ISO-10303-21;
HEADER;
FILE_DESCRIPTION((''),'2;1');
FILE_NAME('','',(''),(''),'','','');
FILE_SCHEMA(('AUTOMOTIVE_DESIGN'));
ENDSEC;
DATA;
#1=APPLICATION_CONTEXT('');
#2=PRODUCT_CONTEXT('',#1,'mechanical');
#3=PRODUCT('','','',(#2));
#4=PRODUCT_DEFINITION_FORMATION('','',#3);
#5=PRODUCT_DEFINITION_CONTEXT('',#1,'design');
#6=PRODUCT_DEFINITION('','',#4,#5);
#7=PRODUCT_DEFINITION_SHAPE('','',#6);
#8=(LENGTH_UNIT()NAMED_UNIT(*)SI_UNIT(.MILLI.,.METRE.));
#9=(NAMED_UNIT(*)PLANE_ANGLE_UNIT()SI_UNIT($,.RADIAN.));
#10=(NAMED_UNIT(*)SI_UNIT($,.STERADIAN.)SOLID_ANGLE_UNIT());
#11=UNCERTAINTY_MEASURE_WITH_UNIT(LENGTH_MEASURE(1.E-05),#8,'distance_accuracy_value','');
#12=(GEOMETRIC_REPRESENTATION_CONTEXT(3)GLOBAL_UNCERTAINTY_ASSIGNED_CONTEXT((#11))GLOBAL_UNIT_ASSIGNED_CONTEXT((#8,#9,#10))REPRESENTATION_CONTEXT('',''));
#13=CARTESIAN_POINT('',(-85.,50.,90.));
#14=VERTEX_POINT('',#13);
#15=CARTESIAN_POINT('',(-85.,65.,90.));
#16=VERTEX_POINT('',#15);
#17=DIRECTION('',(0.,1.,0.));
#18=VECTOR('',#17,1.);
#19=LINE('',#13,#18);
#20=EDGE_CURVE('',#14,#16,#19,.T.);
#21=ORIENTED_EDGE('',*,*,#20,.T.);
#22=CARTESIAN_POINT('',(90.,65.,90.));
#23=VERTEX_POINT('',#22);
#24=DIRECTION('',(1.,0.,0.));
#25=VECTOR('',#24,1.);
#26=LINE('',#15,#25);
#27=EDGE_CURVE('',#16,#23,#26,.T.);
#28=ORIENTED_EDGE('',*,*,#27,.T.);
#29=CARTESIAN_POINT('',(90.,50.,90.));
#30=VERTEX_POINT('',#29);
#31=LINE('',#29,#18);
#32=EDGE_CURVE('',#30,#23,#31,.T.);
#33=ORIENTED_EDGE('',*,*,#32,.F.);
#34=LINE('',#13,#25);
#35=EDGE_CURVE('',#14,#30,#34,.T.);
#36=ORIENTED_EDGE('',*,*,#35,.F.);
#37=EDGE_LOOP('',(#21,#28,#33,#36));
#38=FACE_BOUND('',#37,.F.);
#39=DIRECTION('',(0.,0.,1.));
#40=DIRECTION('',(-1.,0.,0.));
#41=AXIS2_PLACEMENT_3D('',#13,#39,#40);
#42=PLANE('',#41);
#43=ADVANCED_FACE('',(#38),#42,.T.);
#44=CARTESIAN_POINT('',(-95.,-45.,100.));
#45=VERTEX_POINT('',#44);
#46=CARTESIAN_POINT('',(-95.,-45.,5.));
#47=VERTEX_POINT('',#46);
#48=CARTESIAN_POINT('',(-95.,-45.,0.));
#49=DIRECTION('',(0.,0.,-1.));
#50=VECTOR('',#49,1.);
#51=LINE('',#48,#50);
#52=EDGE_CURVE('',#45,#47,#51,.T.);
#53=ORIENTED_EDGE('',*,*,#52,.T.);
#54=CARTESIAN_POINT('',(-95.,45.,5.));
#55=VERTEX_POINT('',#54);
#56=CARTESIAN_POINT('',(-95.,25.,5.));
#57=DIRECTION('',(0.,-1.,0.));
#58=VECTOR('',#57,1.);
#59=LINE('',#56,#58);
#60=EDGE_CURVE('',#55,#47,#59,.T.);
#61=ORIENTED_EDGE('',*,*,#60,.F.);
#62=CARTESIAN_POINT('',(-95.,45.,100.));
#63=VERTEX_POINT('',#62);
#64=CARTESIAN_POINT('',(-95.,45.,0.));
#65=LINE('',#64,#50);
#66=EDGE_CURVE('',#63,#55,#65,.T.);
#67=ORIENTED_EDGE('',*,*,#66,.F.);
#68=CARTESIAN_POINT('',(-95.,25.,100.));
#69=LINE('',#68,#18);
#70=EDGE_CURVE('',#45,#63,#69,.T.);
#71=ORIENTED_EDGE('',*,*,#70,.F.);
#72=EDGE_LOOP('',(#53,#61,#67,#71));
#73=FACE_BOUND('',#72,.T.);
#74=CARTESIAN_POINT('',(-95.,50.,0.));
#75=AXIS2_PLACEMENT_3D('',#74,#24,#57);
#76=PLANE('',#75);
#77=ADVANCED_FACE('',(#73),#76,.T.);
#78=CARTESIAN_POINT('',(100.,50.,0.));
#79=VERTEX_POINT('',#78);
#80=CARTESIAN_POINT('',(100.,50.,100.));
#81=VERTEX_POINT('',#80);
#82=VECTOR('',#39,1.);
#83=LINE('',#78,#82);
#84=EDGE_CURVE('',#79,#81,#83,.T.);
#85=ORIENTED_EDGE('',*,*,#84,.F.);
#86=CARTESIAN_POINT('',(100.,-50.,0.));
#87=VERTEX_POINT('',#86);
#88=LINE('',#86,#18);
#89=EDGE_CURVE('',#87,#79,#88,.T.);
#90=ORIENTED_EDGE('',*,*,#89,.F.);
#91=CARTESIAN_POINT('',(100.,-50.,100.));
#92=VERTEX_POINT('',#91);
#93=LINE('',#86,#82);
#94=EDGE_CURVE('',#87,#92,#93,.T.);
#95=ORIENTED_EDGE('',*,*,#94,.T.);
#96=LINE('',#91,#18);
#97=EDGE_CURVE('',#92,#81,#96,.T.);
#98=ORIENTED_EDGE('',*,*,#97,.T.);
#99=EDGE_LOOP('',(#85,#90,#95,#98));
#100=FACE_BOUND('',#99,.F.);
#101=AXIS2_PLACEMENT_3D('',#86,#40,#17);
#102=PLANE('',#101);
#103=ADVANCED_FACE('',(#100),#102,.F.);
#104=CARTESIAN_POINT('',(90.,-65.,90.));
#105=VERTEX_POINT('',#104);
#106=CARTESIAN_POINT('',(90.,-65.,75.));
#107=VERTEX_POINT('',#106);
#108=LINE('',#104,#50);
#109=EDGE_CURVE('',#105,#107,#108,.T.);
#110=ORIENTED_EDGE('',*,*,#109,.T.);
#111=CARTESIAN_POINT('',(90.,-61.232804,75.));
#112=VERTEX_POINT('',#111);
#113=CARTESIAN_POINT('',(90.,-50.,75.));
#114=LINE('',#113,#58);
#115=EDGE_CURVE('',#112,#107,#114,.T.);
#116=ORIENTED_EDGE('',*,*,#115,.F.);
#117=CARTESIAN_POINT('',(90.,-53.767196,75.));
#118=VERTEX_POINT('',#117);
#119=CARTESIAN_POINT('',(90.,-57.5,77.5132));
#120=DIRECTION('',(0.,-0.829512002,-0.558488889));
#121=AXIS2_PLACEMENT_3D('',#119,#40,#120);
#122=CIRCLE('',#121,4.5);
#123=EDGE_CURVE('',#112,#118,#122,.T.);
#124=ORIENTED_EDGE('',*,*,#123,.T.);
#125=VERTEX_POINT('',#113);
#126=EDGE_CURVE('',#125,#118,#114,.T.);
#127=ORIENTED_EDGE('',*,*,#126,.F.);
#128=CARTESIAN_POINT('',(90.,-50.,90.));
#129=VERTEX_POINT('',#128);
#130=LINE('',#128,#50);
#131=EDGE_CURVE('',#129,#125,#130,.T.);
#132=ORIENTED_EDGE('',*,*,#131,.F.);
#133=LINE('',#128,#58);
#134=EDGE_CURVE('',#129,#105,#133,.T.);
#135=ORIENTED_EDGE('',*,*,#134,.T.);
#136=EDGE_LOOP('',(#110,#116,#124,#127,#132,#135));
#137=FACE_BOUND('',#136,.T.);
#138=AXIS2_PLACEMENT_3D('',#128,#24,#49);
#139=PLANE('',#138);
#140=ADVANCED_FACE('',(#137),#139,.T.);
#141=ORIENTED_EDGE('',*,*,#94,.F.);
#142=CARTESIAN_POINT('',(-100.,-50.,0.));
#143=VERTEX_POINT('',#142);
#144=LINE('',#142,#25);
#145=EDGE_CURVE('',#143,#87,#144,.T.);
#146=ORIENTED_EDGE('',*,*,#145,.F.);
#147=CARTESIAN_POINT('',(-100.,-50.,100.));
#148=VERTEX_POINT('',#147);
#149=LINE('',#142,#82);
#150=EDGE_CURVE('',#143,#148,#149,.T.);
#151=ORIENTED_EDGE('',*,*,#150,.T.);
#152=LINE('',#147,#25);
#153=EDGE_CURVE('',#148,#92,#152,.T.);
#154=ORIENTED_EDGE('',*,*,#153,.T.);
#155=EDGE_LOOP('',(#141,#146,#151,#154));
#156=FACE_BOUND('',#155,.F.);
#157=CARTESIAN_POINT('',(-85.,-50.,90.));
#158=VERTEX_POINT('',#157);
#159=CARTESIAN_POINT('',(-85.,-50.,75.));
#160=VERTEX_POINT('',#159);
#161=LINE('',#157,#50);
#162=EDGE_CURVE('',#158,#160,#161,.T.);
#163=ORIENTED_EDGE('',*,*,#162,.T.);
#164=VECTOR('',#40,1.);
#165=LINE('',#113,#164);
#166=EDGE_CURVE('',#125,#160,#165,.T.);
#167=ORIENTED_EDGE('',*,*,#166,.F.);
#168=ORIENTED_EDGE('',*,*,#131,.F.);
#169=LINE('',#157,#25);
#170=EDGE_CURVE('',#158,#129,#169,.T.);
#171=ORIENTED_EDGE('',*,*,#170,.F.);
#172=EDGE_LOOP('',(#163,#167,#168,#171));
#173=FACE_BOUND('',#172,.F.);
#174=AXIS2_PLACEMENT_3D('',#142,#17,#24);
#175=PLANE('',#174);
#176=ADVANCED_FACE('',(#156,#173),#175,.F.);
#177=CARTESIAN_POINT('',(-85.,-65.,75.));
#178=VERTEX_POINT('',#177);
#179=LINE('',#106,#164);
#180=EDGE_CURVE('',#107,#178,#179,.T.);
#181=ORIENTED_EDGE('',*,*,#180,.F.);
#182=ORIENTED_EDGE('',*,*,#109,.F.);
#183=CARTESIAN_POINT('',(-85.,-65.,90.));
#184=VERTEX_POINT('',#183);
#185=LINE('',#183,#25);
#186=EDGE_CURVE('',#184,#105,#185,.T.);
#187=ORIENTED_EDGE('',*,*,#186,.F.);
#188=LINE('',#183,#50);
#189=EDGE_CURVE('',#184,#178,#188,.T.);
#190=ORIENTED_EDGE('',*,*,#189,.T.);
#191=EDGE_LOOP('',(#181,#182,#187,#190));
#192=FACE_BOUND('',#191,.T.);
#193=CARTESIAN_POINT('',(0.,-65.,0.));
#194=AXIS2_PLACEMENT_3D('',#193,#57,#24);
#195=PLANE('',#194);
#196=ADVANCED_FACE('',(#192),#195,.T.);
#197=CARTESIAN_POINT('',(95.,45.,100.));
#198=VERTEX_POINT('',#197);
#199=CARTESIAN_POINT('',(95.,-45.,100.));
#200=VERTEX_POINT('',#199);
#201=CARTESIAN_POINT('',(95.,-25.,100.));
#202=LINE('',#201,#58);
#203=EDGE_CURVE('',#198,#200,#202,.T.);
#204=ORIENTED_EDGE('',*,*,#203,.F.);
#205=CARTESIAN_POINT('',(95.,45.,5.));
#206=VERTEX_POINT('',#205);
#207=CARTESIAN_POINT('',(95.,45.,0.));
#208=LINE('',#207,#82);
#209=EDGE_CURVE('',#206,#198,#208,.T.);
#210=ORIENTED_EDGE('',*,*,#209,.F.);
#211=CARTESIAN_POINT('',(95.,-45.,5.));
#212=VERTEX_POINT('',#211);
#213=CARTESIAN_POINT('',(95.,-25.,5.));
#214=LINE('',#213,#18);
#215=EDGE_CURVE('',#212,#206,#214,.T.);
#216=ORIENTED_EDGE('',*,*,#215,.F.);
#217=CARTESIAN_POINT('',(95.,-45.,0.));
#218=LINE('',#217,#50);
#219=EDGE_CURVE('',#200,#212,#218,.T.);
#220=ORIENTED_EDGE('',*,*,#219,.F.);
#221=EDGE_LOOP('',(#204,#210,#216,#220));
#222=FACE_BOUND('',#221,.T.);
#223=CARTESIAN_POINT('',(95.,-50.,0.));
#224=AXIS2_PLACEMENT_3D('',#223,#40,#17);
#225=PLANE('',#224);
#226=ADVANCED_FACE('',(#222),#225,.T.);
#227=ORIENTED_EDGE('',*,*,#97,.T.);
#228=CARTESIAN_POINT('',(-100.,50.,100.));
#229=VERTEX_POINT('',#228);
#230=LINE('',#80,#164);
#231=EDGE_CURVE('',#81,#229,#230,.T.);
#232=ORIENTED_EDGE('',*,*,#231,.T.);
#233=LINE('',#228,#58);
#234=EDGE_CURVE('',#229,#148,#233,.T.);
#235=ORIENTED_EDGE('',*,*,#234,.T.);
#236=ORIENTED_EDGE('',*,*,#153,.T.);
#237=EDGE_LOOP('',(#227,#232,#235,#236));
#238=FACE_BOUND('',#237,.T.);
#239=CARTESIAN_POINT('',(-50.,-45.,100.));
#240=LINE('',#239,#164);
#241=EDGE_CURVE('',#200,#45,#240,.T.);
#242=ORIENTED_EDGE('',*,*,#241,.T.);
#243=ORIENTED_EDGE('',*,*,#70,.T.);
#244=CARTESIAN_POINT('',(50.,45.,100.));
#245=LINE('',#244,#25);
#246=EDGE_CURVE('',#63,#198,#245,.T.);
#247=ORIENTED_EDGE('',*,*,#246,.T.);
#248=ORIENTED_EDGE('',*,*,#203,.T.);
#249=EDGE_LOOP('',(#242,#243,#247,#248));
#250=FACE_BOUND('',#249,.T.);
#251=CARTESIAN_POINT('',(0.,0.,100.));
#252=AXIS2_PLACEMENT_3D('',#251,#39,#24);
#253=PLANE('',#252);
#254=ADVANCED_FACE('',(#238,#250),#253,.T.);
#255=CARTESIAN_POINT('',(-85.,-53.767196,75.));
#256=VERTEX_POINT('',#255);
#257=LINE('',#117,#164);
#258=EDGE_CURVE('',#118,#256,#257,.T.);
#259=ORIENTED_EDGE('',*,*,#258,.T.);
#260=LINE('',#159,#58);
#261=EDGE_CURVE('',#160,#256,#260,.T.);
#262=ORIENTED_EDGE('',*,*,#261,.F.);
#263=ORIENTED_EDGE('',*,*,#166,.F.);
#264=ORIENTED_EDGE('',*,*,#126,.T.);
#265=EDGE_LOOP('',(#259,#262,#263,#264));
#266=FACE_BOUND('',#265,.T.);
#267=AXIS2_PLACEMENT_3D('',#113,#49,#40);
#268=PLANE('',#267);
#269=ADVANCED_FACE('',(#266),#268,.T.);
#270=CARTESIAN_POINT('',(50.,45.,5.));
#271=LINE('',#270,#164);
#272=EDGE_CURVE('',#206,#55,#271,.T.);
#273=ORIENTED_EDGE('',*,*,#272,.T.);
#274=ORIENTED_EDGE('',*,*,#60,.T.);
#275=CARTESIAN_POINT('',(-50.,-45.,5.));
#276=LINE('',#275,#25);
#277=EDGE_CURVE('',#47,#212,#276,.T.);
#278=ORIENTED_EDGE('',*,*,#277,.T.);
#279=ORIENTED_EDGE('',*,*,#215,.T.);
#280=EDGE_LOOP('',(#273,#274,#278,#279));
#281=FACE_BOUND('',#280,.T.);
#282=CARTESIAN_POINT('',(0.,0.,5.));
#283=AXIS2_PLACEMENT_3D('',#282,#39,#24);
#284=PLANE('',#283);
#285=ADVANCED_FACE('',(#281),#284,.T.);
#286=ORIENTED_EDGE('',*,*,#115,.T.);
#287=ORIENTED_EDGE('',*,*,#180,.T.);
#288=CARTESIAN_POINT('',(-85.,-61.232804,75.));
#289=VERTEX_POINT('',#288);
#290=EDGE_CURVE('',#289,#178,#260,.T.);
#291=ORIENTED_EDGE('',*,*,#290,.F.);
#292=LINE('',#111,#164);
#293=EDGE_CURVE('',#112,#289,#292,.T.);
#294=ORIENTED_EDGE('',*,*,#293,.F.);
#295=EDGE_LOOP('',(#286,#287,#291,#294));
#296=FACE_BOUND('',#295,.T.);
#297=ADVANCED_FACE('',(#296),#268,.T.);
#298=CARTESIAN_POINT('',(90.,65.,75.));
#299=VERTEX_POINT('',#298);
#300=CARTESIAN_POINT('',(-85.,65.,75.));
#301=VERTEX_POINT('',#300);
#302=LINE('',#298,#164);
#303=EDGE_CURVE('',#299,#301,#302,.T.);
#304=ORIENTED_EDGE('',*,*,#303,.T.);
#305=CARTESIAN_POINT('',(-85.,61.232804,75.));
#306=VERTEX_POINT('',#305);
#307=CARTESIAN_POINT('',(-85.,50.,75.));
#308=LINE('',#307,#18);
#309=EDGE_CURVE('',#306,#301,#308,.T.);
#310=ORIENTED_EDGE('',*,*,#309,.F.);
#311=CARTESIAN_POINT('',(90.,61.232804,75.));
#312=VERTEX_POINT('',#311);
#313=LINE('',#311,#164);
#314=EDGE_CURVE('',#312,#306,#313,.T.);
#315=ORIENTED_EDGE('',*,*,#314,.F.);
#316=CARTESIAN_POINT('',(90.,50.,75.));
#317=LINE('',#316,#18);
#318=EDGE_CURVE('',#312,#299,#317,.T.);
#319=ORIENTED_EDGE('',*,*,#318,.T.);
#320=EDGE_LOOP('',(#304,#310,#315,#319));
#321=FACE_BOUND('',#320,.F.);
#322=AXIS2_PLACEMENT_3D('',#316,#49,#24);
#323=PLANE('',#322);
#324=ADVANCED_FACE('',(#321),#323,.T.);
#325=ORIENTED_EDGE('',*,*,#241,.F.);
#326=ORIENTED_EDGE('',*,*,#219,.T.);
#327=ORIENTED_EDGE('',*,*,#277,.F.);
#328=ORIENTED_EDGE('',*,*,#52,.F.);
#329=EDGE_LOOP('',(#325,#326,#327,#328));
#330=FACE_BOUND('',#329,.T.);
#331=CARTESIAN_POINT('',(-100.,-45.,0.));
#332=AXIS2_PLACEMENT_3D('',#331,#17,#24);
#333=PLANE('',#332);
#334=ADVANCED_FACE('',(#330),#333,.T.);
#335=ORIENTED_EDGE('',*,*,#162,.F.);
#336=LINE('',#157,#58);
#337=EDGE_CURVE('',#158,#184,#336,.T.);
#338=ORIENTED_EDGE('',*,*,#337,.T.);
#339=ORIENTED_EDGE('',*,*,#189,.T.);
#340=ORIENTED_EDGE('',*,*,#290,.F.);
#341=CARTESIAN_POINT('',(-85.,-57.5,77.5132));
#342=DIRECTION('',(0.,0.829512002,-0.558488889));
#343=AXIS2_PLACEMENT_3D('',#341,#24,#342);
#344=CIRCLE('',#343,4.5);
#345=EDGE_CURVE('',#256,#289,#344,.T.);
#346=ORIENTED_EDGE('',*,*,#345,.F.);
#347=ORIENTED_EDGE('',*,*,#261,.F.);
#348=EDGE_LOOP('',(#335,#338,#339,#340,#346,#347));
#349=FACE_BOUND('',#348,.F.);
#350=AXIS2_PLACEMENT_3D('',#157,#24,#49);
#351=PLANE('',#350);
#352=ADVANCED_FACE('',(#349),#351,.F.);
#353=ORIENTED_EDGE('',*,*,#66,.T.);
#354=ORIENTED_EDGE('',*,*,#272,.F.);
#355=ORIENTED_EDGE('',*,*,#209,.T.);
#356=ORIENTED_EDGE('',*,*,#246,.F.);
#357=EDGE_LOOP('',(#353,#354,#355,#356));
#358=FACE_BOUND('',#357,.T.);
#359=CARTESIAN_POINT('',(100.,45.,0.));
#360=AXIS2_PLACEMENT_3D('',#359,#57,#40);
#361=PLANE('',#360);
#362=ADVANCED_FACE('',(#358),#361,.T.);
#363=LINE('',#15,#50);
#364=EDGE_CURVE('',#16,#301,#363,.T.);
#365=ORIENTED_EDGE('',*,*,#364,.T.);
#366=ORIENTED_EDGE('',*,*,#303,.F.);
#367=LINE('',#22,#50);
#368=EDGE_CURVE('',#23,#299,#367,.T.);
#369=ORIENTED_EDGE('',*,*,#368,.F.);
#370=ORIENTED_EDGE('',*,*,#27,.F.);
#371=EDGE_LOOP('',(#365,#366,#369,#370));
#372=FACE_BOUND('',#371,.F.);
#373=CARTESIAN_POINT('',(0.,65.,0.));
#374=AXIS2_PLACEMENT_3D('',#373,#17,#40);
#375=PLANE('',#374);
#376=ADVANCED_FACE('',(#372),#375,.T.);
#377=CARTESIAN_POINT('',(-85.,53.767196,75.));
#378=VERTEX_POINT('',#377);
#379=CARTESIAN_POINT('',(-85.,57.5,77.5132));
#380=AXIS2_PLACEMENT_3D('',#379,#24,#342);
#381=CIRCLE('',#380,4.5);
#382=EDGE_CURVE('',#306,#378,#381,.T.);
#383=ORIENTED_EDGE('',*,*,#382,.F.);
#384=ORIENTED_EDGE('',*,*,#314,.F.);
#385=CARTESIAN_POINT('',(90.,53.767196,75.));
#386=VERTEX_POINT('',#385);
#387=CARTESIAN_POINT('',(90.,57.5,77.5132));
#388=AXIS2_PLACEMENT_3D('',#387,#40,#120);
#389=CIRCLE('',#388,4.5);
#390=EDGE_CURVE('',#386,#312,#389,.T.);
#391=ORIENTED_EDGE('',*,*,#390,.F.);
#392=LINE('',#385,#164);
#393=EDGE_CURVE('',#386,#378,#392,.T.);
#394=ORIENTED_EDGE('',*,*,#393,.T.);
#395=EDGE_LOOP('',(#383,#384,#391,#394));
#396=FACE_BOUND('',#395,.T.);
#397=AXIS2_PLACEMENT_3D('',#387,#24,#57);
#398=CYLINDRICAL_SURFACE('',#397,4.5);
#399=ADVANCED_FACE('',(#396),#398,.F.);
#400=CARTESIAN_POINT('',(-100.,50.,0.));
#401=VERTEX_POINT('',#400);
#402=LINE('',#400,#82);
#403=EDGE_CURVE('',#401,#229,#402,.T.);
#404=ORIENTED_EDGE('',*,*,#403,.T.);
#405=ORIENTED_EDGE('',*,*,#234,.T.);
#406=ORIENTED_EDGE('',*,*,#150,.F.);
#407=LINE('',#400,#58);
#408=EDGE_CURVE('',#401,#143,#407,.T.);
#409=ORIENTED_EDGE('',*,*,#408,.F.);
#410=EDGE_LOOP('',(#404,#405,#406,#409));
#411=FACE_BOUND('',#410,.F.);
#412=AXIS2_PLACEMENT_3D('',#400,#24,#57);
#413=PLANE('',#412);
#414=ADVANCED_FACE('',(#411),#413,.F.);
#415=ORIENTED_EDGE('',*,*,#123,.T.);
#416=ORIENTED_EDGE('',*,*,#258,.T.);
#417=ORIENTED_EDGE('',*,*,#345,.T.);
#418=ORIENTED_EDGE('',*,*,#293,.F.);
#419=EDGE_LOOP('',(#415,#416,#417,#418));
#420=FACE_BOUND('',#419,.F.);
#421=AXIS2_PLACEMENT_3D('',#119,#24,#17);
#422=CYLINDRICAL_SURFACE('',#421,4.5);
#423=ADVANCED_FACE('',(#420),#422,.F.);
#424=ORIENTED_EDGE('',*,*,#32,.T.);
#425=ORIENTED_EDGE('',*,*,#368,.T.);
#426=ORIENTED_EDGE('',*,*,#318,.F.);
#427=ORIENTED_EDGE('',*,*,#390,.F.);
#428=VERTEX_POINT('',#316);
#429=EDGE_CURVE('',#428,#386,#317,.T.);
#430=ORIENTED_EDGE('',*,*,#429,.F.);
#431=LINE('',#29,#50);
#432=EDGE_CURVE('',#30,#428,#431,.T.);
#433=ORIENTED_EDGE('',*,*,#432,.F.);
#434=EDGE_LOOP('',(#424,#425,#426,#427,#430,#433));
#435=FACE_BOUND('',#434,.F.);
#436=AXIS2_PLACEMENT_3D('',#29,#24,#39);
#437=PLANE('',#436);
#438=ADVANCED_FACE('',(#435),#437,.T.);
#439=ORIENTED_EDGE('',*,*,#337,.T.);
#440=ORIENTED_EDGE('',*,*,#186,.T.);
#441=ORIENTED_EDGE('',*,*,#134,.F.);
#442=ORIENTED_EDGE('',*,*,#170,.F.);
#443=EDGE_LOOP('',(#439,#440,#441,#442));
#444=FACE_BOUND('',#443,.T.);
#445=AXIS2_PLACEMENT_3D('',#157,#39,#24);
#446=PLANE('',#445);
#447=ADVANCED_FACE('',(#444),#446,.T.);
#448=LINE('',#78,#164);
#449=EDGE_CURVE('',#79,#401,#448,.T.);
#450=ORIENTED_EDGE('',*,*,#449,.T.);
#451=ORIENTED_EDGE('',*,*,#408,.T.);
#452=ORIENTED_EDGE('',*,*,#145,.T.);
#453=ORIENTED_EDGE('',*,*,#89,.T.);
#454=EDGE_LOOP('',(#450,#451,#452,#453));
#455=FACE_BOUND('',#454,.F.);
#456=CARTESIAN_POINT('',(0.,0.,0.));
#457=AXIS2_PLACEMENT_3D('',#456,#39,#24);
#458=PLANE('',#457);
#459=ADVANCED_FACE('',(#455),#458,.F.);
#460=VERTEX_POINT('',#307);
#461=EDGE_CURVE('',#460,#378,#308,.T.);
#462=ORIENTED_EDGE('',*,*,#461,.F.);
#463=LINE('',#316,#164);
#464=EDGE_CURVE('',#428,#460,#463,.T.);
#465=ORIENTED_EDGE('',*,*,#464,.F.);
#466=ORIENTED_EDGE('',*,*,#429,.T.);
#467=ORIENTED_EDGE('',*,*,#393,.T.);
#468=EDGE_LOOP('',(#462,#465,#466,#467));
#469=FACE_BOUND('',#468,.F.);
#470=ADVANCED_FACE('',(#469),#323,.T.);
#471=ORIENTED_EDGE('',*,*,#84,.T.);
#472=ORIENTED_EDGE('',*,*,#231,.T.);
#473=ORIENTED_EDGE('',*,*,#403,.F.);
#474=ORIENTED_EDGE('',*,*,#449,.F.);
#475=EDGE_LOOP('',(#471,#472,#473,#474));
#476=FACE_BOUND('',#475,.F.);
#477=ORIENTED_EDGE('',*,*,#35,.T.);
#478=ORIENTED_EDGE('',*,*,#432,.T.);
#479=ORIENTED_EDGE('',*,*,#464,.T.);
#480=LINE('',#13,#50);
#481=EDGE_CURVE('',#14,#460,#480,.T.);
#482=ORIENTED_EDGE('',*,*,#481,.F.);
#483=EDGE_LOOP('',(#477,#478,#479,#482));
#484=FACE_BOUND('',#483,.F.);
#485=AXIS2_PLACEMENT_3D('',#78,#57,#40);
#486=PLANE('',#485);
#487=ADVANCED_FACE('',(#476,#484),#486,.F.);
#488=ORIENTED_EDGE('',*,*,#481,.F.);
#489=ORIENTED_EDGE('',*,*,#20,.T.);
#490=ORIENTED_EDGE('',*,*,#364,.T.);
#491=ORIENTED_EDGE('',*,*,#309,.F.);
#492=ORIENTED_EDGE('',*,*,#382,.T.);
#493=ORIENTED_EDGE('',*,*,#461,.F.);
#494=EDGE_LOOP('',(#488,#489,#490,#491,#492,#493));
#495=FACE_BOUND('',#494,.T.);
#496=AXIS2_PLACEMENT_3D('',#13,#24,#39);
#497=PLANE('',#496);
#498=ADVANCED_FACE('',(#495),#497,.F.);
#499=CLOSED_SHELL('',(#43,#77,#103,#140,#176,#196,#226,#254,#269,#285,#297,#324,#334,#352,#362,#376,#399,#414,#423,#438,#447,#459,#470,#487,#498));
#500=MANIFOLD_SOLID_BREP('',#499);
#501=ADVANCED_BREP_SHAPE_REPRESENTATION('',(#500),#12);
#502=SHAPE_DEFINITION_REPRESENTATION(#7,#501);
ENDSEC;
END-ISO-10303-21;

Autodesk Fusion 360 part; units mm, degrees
sketch "Esquisse1" plane through (0, 0, 0) normal (0, 0, 1) x (1, 0, 0)
  line L0 (-20, 20) -> (180, 20)
  line L1 (180, 20) -> (180, -80)
  line L2 (180, -80) -> (-20, -80)
  line L3 (-20, -80) -> (-20, 20)
  dimension "d7" = 200
  dimension "d8" = 100
sketch "Esquisse2" plane through (180, 0, 0) normal (1, 0, 0) x (0, 1, 0)
  line L0 (-80, 0) -> (20, 0)
  line L1 (20, 0) -> (20, 100)
  line L2 (20, 100) -> (-80, 100)
  line L3 (-80, 100) -> (-80, 0)
  circle A0 centre (-105, 61.7948) radius 25
  dimension "d13" = 50
sketch "Esquisse3" plane through (0, 0, 0) normal (0, 0, 1) x (1, 0, 0)
  line L0 (100, 50) -> (-100, 50)
  line L1 (-100, 50) -> (-100, -50)
  line L2 (-100, -50) -> (100, -50)
  line L3 (100, -50) -> (100, 50)
  line L4 (100, 50) -> (-100, -50) construction
  line L5 (-100, 50) -> (100, -50) construction
  dimension "d16" = 200
  dimension "d17" = 100
extrude "Extrusion3" add sketch "Esquisse3" along normal blind 100
shell "Coque2" thickness 5 removed faces 1 at (-33.3333, 16.6667, 100)
sketch "Esquisse4" plane through (0, -50, 0) normal (0, -1, 0) x (1, 0, 0)
  line L0 (-100, 0) -> (100, 0)
  line L1 (100, 0) -> (100, 100)
  line L2 (100, 100) -> (-100, 100)
  line L3 (-100, 100) -> (-100, 0)
  line L4 (-85, 90) -> (90, 90)
  line L5 (90, 90) -> (90, 75)
  line L6 (90, 75) -> (-85, 75)
  line L7 (-85, 90) -> (-85, 75)
extrude "Extrusion4" add sketch "Esquisse4" along normal blind 15 contours L4 L5 L6 L7
sketch "Esquisse5" plane through (90, 0, 0) normal (1, 0, 0) x (0, 1, 0)
  line L0 (-50, 75) -> (-50, 90)
  line L1 (-50, 90) -> (-65, 90)
  line L2 (-65, 90) -> (-65, 75)
  line L3 (-65, 75) -> (-50, 75)
  circle A0 centre (-57.5, 77.5132) radius 4.5
  dimension "d23" = 9
extrude "Extrusion5" cut sketch "Esquisse5" against normal blind 180 contours L3 A0 picked at (-57.7191, 77.5283)
mirror "Symétrie miroir1" about plane through (0, 0, 0) normal (0, 1, 0) of "Extrusion4", "Extrusion5"
extrude "Extrusion2" [suppressed]
equation "largeur = 100 mm"
equation "hauteur = 100 mm"
equation "longueur = 200 mm"
equation "epaisseurb = 5 mm"
equation "rayon = 50 mm"
equation "fixation = 5 mm"
equation "d7 = longueur"
equation "d8 = largeur"
equation "epaisseurinterieur = 5 mm"
equation "d13 = rayon"
equation "d14 = -longueur"
equation "d16 = longueur"
equation "d17 = largeur"
equation "d18 = hauteur"
equation "d20 = epaisseurinterieur"
